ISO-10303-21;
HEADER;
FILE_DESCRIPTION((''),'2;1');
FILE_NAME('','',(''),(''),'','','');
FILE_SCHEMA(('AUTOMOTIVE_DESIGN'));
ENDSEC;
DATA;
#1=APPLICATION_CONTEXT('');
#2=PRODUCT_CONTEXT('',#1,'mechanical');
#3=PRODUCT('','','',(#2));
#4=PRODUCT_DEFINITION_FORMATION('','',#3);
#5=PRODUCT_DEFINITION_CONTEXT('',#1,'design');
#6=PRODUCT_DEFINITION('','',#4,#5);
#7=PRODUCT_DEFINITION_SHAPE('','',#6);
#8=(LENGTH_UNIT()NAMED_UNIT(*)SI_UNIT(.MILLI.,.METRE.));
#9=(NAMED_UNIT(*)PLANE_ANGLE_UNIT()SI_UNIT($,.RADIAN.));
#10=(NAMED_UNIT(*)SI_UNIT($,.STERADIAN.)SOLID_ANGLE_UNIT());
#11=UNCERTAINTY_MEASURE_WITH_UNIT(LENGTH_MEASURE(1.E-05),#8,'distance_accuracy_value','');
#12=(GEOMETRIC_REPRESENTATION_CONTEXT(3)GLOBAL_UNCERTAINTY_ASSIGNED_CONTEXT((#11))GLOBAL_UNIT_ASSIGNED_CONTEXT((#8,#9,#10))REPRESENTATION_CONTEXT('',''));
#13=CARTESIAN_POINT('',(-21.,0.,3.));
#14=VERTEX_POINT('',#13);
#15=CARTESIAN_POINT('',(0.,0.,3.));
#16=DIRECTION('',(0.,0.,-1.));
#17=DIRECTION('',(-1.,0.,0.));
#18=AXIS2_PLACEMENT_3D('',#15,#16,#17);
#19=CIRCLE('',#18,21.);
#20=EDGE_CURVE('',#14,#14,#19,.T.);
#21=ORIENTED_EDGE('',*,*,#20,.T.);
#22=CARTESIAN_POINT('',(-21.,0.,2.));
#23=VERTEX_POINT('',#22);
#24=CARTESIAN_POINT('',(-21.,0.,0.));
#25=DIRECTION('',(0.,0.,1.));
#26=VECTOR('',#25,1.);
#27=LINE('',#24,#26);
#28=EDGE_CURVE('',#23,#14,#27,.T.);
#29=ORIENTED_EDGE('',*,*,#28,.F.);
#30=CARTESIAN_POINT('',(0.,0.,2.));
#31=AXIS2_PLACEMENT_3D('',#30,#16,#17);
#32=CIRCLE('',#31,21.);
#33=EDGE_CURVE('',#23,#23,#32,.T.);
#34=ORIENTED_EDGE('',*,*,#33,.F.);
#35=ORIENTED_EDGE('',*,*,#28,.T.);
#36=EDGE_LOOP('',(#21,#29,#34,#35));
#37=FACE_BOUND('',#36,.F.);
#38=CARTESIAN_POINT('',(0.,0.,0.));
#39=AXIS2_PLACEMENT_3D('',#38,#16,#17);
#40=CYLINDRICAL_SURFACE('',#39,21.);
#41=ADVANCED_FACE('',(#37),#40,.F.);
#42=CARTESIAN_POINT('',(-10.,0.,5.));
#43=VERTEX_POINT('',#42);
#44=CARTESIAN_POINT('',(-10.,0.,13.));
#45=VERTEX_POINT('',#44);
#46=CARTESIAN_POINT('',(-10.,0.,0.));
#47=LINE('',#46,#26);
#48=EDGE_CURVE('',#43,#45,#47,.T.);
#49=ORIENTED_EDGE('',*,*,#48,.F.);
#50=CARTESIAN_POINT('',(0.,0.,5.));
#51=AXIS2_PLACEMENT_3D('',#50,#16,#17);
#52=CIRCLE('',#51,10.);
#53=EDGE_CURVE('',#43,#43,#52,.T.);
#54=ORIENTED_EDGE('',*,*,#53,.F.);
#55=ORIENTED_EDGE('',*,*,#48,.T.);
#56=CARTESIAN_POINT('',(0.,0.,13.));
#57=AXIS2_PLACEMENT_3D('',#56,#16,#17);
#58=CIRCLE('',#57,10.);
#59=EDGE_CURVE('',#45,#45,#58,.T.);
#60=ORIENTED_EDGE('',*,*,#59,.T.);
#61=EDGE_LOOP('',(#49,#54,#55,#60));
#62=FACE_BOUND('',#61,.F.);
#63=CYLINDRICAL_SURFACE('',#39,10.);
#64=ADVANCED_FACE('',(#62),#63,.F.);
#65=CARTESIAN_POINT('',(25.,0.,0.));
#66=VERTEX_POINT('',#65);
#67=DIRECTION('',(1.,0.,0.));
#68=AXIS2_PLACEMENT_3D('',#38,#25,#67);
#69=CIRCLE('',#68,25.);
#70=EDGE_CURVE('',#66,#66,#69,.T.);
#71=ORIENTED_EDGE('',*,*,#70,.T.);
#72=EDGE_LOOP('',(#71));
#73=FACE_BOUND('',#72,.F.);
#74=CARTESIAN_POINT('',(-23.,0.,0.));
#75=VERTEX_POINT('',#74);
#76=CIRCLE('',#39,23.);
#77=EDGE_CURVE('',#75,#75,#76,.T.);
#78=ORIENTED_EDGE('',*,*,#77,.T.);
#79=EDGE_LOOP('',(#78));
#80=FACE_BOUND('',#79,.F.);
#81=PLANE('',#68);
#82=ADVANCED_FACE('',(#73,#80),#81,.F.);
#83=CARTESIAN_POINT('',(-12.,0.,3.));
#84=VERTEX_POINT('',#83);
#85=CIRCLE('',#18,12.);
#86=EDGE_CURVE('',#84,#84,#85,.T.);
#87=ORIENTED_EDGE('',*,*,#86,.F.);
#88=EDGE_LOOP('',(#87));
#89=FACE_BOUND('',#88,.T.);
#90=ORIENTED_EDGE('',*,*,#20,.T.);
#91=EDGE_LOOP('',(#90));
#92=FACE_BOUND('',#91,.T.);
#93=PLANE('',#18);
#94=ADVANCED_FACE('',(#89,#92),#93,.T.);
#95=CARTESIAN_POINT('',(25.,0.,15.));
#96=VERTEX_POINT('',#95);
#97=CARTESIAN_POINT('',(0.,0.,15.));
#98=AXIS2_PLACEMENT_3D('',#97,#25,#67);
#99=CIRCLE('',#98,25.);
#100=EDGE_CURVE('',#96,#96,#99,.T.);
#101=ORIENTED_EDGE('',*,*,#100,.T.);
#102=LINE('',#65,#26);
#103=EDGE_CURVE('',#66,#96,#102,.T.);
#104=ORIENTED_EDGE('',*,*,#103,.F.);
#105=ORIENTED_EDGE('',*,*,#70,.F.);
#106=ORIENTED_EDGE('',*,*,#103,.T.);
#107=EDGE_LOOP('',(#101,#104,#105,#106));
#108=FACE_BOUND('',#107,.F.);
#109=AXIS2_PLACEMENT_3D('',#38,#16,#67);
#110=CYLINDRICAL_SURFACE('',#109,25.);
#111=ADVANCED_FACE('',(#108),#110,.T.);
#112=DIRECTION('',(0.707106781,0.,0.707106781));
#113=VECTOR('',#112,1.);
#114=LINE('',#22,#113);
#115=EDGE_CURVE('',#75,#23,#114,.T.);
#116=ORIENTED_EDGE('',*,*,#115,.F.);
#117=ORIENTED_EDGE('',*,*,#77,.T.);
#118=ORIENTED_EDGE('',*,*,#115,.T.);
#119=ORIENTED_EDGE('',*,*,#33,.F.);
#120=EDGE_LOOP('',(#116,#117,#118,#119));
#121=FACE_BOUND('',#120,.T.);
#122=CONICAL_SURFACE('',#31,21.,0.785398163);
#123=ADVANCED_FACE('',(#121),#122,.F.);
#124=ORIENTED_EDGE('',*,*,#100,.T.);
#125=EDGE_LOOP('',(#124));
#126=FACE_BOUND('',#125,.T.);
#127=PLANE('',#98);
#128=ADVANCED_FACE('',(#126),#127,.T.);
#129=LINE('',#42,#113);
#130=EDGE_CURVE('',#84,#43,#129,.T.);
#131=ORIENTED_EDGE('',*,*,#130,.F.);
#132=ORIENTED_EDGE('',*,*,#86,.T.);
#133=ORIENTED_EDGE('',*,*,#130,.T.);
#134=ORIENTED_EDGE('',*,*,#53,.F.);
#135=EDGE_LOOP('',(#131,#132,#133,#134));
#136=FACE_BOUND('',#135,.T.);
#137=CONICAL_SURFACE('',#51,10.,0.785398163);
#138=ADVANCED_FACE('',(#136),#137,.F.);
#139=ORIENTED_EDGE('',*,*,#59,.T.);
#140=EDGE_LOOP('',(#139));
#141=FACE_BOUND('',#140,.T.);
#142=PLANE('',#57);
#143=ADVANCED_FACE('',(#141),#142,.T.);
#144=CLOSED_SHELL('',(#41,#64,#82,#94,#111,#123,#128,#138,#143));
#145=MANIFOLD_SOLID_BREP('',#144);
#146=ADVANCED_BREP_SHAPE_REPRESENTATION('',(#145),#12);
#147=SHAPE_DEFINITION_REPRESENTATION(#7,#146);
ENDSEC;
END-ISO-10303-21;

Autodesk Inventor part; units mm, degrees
ref_plane "YZ Plane" through (0, 0, 0) normal (1, 0, 0) x (0, 1, 0)
ref_plane "XZ Plane" through (0, 0, 0) normal (0, 1, 0) x (-1, 0, 0)
ref_plane "XY Plane" through (0, 0, 0) normal (0, 0, 1) x (1, 0, 0)
sketch "スケッチ1" plane through (0, 0, 0) normal (0, 0, 1) x (1, 0, 0)
  circle A0 centre (0, 0) radius 25
  dimension "d0" = 50
extrude "押し出し1" add sketch "スケッチ1" along normal blind 15
sketch "スケッチ2" plane through (0, 0, 0) normal (0, 0, -1) x (-1, 0, 0)
  circle A0 centre (0, 0) radius 10
  circle A1 centre (0, 0) radius 21
  dimension "d3" = 20
  dimension "d6" = 42
extrude "押し出し2" cut sketch "スケッチ2" against normal blind 13 contours A0
extrude "押し出し3" cut sketch "スケッチ2" against normal blind 3
chamfer "面取り1" distance 2 angle 45 1 edges at (21, 0, 0)
chamfer "面取り2" distance 2 angle 45 1 edges at (10, 0, 3)
properties part number "storage"
